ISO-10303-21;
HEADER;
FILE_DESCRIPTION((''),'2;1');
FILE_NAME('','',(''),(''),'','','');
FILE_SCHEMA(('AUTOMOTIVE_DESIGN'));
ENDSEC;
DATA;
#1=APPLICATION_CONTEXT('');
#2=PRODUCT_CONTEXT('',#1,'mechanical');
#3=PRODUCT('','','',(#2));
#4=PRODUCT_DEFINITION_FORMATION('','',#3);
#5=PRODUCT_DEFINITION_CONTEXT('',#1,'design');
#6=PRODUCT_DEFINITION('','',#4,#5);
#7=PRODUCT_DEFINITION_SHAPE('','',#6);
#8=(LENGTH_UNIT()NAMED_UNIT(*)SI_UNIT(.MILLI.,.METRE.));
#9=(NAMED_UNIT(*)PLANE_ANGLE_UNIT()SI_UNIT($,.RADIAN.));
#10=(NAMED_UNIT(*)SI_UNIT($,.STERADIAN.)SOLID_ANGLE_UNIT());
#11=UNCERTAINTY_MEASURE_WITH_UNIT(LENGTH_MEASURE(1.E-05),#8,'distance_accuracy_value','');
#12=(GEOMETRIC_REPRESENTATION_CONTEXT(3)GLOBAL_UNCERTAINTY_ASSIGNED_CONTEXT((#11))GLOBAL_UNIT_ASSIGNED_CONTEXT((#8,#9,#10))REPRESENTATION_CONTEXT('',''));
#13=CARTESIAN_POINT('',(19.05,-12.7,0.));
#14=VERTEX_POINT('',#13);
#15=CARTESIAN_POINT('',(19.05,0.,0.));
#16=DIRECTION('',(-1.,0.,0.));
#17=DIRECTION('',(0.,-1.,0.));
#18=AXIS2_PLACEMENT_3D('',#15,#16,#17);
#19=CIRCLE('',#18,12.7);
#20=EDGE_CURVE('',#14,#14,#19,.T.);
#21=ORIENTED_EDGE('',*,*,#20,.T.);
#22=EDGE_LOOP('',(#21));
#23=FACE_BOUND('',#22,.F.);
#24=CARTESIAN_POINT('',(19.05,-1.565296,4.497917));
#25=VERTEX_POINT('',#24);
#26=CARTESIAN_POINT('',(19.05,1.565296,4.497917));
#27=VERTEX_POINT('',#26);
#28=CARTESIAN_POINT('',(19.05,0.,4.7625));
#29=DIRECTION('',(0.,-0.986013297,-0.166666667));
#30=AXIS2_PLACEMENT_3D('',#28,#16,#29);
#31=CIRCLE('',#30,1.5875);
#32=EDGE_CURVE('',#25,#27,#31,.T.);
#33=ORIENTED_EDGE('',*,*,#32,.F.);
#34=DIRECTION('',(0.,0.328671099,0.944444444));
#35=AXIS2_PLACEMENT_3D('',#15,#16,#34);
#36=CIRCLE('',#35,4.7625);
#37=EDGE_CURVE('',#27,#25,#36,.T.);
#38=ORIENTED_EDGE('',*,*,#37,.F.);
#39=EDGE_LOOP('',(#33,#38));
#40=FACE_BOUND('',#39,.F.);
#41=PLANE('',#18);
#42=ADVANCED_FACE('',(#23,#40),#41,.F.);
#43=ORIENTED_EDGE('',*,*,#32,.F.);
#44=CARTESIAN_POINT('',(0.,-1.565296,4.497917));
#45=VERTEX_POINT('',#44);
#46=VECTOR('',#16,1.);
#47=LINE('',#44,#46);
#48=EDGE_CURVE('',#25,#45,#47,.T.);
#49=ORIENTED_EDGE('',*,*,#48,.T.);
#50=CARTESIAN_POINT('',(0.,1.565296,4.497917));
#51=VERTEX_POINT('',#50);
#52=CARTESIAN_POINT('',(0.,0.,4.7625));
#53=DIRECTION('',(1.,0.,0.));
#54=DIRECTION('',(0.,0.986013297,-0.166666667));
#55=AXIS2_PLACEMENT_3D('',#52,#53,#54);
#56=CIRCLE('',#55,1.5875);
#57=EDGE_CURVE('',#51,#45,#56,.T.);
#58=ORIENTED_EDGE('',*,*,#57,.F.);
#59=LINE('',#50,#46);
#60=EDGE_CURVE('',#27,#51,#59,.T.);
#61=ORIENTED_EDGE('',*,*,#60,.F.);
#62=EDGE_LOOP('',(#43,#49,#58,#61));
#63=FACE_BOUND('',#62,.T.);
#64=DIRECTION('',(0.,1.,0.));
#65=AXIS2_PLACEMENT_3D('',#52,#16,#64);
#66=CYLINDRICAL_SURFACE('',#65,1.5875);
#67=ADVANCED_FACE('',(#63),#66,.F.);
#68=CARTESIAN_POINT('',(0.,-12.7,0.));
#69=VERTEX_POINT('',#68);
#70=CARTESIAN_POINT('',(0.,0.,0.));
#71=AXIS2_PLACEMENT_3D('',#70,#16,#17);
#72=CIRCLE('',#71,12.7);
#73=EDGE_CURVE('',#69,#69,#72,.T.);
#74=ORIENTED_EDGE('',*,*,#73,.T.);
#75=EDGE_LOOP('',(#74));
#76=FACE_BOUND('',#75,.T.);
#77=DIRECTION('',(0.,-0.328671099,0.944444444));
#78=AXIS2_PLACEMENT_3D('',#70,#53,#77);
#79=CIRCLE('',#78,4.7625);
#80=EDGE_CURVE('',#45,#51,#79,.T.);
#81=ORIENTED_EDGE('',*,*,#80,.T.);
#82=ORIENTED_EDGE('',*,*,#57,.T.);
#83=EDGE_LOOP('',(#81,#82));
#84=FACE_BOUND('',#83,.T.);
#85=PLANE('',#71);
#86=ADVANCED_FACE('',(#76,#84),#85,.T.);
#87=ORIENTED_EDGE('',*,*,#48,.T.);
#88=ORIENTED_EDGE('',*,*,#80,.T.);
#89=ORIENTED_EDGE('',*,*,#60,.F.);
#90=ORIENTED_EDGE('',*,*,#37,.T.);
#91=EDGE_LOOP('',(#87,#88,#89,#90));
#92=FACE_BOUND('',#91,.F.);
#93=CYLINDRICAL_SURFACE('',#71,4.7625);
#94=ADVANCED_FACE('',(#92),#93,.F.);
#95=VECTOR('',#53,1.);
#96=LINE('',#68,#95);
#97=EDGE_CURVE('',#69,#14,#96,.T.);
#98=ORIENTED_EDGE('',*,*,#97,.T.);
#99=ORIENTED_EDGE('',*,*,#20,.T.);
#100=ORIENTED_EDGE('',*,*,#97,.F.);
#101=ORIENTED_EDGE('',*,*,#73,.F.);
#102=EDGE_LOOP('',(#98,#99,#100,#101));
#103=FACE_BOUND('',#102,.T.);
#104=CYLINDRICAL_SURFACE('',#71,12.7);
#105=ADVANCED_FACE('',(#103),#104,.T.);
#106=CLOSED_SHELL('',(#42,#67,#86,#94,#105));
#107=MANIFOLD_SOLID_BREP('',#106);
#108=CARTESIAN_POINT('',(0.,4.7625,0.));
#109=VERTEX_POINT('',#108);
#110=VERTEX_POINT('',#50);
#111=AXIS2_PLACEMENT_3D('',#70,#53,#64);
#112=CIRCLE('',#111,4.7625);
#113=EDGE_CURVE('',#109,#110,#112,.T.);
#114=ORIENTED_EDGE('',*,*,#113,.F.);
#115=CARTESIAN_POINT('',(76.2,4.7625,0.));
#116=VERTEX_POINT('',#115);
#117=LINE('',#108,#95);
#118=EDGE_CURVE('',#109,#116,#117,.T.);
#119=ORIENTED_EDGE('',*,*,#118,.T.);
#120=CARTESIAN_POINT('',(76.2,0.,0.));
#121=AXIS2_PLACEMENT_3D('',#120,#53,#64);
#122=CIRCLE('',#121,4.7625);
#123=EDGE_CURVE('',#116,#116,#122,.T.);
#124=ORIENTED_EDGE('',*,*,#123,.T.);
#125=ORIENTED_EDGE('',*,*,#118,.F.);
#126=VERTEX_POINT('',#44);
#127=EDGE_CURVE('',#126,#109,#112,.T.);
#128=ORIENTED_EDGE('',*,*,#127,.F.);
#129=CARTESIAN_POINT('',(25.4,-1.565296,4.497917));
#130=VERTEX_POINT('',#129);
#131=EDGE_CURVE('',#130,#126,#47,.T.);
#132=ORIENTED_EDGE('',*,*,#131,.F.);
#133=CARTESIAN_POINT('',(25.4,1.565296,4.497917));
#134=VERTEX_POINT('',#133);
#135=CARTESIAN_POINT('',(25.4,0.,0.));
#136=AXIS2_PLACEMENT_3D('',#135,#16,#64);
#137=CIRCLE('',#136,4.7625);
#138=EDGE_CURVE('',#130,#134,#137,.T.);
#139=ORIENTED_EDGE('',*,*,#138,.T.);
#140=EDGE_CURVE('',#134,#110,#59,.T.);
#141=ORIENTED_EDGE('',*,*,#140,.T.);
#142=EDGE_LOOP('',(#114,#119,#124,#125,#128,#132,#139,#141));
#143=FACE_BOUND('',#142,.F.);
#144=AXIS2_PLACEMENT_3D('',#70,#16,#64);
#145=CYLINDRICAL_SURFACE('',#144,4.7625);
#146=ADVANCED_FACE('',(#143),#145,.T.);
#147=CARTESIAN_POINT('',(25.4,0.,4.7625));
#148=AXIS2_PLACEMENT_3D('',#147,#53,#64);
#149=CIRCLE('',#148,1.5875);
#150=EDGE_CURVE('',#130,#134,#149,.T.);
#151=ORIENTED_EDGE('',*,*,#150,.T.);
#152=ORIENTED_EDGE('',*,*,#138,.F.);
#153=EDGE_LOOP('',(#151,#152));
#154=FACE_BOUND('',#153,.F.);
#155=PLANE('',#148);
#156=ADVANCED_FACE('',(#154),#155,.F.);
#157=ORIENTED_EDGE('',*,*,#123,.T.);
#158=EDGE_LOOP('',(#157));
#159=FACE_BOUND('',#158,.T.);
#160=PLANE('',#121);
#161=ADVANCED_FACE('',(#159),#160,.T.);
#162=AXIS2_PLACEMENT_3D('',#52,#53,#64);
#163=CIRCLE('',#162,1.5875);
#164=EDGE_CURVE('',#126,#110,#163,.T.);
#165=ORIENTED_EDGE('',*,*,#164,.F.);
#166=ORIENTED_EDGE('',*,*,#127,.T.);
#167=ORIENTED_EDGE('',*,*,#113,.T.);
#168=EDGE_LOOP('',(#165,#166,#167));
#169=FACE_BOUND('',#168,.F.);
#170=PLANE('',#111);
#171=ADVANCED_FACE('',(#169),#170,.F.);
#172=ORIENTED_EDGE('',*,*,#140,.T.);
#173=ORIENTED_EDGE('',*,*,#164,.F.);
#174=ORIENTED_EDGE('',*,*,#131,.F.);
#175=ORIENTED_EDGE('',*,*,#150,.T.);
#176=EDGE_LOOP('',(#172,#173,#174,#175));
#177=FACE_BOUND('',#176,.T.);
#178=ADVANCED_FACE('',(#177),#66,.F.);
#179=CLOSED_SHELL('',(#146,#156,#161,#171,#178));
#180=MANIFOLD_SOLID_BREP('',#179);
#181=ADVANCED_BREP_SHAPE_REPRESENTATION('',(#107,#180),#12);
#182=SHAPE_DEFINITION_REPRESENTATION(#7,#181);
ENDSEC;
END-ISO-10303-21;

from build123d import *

# Parameters (mm, degrees)
F0_R     = 4.7625
F1_DEPTH = 76.2
F3_R     = 12.7
F3_R_2   = 4.7625
F4_DEPTH = 19.05
F2_R     = 1.5875
F5_DEPTH = 25.4


with BuildPart() as f1:
    # F0 (on Right) → F1 (new body)
    with BuildSketch(Plane.YZ):
        Circle(F0_R)
    extrude(amount=F1_DEPTH)


with BuildPart() as f4:
    # F3 (on face) → F4 (new body)
    with BuildSketch(Plane(origin=(0, 0, 0), x_dir=(0, -1, 0), z_dir=(-1, 0, 0))):
        Circle(F3_R)
        Circle(F3_R_2, mode=Mode.SUBTRACT)
    extrude(amount=-F4_DEPTH)


with BuildPart() as f5_tool:
    # F2 (on Right) → F5 (new body)
    with BuildSketch(Plane.YZ):
        with Locations((0, 4.7625)):
            Circle(F2_R)
    extrude(amount=F5_DEPTH)


with BuildPart() as f1_1:
    add(f1.part)

    # F5: cut by f5_tool
    add(f5_tool.part, mode=Mode.SUBTRACT)


with BuildPart() as f4_1:
    add(f4.part)

    # F5: cut by f5_tool
    add(f5_tool.part, mode=Mode.SUBTRACT)


solid = Compound([f1_1.part, f4_1.part])
